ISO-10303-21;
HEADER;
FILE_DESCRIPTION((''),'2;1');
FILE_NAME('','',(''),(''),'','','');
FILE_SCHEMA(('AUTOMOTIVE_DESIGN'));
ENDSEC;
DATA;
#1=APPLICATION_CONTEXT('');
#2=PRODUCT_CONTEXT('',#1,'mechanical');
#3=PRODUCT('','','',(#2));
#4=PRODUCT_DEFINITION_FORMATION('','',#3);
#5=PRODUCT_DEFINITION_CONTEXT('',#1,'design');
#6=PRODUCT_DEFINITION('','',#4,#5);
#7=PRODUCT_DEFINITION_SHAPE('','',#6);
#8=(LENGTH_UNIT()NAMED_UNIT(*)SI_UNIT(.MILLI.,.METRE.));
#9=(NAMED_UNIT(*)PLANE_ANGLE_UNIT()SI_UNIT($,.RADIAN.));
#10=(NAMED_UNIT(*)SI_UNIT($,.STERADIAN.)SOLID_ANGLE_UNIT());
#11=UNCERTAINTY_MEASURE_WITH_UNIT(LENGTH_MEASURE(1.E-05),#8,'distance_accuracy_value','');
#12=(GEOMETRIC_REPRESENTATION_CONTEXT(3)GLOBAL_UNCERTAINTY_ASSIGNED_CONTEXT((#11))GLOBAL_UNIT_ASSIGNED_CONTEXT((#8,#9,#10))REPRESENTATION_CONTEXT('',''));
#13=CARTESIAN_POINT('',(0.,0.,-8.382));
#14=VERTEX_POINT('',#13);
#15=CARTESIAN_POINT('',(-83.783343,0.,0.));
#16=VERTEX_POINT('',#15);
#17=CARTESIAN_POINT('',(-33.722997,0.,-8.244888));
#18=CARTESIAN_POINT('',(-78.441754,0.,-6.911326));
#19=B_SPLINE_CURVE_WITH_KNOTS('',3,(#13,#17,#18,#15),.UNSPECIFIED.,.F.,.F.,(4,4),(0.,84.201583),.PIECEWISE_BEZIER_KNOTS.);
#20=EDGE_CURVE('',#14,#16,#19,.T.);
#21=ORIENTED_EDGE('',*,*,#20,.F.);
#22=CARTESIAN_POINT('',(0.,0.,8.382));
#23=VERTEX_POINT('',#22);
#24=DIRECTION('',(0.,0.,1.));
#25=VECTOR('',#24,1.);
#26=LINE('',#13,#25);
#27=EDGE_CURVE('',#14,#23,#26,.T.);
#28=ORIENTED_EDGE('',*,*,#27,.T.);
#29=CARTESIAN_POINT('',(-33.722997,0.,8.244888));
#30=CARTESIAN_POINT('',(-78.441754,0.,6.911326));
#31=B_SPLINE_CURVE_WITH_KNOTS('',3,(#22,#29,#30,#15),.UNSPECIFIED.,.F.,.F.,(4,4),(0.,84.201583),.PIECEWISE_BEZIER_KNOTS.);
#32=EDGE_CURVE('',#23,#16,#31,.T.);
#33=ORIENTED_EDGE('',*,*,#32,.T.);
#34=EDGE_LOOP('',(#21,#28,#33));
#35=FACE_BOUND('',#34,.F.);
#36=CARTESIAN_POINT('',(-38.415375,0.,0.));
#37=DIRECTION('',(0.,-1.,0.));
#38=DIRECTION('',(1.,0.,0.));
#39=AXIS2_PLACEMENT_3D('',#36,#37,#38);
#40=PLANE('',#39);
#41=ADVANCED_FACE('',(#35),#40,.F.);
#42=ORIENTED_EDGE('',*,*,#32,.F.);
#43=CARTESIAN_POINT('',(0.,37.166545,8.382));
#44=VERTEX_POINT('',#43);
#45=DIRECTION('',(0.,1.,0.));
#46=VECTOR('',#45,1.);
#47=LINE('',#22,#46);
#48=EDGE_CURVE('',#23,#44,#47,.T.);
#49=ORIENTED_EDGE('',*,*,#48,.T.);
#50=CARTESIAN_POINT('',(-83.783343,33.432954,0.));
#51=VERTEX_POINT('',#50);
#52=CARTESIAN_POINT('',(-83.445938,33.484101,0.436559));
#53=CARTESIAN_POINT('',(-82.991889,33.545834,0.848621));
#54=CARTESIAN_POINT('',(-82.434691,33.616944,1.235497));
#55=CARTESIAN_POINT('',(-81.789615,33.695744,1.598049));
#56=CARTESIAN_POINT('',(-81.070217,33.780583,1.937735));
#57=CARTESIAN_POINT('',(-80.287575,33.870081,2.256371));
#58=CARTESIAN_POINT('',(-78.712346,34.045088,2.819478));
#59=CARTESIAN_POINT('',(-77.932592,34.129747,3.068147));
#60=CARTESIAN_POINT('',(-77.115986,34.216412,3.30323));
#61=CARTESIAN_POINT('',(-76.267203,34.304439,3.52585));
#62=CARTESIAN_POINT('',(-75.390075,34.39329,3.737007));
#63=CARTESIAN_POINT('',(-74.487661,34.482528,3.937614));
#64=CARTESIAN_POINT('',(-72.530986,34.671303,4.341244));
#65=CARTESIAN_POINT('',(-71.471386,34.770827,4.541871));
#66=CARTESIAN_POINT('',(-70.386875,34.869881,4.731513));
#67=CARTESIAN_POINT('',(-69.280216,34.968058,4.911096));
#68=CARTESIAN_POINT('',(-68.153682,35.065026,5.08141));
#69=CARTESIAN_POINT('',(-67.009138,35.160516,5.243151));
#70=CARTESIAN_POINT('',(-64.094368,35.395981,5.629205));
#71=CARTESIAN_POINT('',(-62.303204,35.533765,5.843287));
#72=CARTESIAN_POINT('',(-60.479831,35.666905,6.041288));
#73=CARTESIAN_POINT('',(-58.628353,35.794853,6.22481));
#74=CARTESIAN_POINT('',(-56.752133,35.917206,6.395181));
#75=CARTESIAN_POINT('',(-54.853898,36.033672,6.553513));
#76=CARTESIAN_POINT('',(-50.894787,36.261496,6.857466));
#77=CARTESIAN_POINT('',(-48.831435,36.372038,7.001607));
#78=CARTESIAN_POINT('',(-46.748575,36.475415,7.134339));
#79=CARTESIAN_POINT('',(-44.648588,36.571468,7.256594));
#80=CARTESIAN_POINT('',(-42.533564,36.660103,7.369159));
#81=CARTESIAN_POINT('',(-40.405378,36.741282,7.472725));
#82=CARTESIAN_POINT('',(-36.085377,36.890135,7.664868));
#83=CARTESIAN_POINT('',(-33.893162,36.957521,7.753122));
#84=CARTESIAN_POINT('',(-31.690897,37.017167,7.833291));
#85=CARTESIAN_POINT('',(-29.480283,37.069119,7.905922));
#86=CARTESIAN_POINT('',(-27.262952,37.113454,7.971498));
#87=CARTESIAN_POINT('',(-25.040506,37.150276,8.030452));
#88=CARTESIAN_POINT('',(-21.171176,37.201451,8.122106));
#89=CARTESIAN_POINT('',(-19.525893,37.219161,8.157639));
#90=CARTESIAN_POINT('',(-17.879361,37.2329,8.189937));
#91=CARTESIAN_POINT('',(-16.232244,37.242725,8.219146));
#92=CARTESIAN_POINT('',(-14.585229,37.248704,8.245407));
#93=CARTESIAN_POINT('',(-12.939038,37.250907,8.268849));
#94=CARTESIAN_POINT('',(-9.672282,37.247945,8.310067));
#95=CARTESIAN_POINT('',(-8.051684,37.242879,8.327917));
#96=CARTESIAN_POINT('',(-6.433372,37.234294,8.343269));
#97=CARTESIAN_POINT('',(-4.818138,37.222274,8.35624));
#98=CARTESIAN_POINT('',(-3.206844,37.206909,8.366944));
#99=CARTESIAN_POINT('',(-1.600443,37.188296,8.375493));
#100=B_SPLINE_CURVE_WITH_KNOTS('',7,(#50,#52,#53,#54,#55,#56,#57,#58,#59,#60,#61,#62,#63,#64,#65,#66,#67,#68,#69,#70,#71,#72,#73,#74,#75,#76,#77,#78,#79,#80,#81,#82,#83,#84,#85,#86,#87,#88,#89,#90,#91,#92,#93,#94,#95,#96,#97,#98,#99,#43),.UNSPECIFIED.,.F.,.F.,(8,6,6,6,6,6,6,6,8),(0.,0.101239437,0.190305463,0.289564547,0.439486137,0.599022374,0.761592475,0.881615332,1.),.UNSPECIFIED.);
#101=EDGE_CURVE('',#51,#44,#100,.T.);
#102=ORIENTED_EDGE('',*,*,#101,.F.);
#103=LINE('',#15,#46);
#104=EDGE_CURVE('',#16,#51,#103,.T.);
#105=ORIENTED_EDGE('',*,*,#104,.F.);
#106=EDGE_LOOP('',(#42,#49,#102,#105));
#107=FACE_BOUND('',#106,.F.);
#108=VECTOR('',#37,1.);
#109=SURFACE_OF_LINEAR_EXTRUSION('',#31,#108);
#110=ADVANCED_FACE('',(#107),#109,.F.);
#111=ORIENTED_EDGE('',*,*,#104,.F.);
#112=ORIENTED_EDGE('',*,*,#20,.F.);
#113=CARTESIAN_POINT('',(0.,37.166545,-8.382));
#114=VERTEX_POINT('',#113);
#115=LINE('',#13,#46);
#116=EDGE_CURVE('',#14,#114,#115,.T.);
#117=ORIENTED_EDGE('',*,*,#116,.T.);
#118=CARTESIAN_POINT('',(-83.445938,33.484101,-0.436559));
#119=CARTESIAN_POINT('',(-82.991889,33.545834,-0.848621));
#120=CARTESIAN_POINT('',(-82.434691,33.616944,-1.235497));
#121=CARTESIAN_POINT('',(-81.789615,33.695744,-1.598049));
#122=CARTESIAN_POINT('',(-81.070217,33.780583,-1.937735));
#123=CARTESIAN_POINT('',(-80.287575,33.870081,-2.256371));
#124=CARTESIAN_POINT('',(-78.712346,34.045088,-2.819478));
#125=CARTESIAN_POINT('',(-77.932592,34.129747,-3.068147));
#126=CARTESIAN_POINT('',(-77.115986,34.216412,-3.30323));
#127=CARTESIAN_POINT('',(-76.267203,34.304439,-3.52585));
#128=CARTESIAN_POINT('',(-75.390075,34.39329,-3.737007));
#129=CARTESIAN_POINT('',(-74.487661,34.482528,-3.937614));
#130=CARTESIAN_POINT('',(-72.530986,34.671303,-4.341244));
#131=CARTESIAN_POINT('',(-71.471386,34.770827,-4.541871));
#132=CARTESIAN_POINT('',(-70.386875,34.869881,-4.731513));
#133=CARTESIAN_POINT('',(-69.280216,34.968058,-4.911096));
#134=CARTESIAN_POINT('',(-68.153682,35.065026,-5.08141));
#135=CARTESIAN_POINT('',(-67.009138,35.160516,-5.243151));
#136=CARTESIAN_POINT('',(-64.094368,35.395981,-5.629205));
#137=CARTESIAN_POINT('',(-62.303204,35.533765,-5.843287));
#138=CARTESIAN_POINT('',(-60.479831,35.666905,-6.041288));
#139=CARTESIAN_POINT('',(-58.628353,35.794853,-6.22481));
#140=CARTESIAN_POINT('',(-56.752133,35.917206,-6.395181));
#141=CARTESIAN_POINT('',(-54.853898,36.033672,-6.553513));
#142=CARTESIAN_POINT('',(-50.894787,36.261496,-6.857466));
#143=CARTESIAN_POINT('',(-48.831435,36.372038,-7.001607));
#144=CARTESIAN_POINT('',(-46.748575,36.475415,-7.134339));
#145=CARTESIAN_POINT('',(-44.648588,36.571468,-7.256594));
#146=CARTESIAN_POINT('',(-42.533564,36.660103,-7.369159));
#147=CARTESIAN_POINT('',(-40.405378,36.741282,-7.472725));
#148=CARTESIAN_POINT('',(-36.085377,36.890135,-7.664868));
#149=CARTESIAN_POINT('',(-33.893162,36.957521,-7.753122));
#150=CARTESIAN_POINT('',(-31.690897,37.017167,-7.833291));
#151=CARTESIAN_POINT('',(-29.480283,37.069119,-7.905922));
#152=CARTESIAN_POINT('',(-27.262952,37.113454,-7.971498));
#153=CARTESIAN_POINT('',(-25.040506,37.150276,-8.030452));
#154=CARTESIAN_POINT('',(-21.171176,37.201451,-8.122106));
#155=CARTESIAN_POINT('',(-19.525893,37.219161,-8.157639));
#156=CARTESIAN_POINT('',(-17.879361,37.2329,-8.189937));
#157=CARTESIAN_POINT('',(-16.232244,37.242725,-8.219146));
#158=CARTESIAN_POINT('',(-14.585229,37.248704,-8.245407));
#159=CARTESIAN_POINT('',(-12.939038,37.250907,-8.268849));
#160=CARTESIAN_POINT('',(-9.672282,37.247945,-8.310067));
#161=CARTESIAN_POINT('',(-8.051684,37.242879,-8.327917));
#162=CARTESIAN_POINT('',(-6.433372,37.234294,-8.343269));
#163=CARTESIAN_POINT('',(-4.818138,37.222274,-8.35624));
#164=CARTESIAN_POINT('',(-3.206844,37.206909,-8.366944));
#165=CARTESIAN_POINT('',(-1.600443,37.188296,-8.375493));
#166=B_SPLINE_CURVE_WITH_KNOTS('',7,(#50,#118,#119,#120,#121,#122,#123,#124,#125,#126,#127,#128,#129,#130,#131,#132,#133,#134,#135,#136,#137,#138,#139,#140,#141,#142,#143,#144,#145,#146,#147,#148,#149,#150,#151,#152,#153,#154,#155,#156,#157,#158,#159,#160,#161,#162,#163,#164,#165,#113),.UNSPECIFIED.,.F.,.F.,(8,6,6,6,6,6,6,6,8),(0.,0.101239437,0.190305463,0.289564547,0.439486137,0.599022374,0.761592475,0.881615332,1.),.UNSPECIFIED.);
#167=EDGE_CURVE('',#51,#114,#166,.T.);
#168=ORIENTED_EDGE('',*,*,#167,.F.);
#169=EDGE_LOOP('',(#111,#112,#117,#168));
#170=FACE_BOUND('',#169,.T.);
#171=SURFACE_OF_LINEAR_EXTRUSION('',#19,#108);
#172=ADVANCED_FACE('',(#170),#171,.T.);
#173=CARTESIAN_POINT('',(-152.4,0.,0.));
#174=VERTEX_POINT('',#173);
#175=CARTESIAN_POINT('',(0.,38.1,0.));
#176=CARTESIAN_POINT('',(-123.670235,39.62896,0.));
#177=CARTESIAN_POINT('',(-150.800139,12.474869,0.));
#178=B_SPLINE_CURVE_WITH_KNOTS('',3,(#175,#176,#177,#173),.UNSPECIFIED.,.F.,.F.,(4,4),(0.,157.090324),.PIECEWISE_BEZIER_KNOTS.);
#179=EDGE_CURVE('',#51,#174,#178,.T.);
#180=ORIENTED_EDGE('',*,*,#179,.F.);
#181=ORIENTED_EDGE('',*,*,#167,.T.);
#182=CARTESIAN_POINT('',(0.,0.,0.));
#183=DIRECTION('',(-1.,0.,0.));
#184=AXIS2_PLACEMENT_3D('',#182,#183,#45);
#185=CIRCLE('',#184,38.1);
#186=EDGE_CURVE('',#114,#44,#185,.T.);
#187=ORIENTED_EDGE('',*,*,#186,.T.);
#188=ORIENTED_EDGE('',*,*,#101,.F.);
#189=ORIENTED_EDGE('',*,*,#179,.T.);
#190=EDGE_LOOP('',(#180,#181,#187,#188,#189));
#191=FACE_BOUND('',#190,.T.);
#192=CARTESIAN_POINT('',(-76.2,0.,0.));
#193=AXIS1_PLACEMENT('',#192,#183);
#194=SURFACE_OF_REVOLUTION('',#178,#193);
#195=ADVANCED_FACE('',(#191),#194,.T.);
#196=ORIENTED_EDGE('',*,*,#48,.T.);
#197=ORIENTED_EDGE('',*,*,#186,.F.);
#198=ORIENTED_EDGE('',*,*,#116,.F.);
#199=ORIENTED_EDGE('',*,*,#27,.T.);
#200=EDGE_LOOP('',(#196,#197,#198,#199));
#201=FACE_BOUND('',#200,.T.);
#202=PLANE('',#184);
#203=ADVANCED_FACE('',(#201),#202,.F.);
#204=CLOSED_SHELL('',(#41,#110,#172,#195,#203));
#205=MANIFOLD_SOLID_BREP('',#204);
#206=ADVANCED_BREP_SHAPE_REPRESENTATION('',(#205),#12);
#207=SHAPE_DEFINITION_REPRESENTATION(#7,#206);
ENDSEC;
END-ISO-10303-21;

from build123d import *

# Parameters (mm, degrees)
F3_DEPTH = 38.162973


with BuildPart() as f1:
    # F0 (on Top) → F1 (revolve)
    with BuildSketch(Plane.XY):
        with BuildLine():
            Line((0, 0), (0, 38.1))
            add(Edge.make_bspline(
                [(0, 38.1), (-123.670235, 39.62896), (-150.800139, 12.474869), (-152.4, 0)],
                knots=[0, 0, 0, 0, 157.090324, 157.090324, 157.090324, 157.090324], degree=3))
            Line((-152.4, 0), (0, 0))
        make_face()
    revolve(axis=Axis((-76.2, 0, 0), (-1, 0, 0)))

    # F2 (on Front) → F3 (cut, through all)
    with BuildSketch(Plane.XZ):
        with BuildLine():
            Line((0, -8.382), (0, 0))
            Line((0, 0), (0, 8.382))
            add(Edge.make_bspline(
                [(0, 8.382), (-33.722997, 8.244888), (-78.441754, 6.911326), (-83.783343, 0)],
                knots=[0, 0, 0, 0, 84.201583, 84.201583, 84.201583, 84.201583], degree=3))
            add(Edge.make_bspline(
                [(0, -8.382), (-33.722997, -8.244888), (-78.441754, -6.911326), (-83.783343, 0)],
                knots=[0, 0, 0, 0, 84.201583, 84.201583, 84.201583, 84.201583], degree=3))
        make_face()
    extrude(amount=-F3_DEPTH, mode=Mode.SUBTRACT)


solid = f1.part
